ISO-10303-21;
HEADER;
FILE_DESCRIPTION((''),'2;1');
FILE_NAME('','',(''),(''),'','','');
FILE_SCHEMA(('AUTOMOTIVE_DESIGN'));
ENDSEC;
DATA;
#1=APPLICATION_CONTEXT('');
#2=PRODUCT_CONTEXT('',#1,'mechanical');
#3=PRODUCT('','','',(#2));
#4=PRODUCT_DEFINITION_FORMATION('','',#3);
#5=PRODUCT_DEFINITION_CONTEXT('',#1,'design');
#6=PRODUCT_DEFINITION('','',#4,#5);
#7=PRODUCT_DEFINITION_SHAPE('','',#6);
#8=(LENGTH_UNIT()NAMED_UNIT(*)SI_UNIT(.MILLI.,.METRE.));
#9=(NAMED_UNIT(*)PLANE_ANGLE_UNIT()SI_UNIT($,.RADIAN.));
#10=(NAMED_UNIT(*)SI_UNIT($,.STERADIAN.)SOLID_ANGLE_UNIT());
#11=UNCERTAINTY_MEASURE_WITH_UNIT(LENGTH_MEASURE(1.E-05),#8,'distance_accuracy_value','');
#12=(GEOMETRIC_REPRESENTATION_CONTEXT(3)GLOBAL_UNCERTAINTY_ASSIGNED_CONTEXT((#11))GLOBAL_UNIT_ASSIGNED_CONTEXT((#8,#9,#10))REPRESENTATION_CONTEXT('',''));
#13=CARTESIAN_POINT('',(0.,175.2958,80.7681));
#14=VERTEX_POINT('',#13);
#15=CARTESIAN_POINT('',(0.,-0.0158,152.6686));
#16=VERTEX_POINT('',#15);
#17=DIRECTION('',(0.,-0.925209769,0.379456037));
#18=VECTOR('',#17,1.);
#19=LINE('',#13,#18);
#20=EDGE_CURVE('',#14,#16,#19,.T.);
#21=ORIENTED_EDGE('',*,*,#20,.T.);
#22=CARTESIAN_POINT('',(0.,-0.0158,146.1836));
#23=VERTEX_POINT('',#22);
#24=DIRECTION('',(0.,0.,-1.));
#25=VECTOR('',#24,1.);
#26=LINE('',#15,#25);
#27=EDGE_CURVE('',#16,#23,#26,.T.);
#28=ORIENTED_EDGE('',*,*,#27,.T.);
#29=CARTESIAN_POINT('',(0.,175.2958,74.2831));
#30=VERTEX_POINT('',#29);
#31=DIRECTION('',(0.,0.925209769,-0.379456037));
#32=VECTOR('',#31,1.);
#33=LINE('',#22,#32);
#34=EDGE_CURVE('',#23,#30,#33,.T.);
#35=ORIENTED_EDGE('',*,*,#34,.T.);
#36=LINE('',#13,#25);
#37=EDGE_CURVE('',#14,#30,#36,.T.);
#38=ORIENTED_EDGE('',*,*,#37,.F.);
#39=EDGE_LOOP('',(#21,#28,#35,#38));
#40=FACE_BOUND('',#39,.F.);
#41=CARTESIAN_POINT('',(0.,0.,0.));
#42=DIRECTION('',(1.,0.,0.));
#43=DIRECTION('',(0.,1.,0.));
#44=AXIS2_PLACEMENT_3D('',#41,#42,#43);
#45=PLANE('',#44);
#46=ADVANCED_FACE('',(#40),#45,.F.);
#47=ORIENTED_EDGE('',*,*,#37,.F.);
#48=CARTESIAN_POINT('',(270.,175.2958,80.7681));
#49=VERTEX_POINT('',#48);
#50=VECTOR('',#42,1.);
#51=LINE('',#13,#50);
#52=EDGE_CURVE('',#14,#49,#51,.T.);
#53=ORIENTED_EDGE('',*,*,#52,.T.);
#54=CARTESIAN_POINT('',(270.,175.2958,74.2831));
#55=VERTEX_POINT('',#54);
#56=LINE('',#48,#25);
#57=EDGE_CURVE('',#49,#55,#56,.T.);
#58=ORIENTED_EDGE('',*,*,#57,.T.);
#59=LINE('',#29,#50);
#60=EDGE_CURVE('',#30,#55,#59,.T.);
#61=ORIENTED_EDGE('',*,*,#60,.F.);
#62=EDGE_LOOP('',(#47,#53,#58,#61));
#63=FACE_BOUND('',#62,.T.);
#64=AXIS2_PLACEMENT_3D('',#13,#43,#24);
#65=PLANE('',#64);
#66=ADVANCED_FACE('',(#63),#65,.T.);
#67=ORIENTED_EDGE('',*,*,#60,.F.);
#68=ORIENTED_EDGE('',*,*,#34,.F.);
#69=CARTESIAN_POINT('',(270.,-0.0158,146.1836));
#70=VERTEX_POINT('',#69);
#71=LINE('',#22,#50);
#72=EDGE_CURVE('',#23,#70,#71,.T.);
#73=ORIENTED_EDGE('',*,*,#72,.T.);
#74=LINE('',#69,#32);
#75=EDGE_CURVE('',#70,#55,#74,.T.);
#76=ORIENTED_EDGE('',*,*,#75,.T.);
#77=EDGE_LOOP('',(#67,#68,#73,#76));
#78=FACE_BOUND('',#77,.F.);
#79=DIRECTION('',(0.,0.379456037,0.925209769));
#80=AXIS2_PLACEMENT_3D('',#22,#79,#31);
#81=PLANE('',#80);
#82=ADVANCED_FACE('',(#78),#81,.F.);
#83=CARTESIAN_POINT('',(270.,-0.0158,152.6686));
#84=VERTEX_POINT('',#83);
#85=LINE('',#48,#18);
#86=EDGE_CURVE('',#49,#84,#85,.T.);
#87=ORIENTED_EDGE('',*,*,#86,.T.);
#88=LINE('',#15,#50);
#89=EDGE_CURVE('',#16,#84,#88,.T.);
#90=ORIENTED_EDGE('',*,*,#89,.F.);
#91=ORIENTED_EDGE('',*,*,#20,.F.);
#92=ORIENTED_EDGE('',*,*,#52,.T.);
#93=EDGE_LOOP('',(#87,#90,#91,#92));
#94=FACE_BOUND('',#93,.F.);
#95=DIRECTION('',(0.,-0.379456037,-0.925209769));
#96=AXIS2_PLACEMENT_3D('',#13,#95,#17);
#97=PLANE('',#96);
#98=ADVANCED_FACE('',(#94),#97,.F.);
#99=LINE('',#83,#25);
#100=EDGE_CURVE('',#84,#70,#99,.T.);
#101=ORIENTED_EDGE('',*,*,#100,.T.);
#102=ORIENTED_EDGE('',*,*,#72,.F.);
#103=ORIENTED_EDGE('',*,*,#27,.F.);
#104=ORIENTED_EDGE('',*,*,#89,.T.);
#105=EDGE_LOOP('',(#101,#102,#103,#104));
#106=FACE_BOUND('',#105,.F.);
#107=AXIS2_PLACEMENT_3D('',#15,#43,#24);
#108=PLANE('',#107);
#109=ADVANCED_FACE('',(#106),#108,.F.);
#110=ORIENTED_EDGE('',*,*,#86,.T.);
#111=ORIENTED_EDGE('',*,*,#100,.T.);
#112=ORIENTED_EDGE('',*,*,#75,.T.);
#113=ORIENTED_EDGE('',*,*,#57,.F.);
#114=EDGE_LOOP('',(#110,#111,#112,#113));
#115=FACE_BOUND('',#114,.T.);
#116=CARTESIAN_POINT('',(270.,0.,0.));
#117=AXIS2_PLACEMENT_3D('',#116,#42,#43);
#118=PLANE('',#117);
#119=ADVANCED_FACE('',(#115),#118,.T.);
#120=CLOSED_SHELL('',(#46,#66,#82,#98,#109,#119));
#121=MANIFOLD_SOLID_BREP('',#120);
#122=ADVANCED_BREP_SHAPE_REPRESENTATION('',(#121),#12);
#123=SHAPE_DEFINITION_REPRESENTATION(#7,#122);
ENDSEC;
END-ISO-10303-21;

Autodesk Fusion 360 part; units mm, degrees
sketch "Top Panel" plane through (0, 0, 0) normal (1, 0, 0) x (0, 1, 0)
  line L0 (-0.0158, 146.1836) -> (175.2958, 74.2831)
  line L1 (175.2958, 80.7681) -> (-0.0158, 152.6686)
  line L2 (-0.0158, 152.6686) -> (-0.0158, 146.1836)
  line L3 (175.2958, 80.7681) -> (175.2958, 74.2831)
  dimension "d12" = 189.483
  dimension "d13" = 189.483
  dimension "d14" = 6
  dimension "d18" = 67.7
extrude "Extrude2" add sketch "Top Panel" along normal blind 270
equation "MDFThickness = 6 mm" comment "Thickness of the MDF board"
equation "topPlateWidth = 210 mm" comment "Width of the top plate"
equation "baseBreadth = 250 mm" comment "Breadth of the base plate"
equation "filletRadius = 8 mm" comment "Radius of the side plate fillets"
